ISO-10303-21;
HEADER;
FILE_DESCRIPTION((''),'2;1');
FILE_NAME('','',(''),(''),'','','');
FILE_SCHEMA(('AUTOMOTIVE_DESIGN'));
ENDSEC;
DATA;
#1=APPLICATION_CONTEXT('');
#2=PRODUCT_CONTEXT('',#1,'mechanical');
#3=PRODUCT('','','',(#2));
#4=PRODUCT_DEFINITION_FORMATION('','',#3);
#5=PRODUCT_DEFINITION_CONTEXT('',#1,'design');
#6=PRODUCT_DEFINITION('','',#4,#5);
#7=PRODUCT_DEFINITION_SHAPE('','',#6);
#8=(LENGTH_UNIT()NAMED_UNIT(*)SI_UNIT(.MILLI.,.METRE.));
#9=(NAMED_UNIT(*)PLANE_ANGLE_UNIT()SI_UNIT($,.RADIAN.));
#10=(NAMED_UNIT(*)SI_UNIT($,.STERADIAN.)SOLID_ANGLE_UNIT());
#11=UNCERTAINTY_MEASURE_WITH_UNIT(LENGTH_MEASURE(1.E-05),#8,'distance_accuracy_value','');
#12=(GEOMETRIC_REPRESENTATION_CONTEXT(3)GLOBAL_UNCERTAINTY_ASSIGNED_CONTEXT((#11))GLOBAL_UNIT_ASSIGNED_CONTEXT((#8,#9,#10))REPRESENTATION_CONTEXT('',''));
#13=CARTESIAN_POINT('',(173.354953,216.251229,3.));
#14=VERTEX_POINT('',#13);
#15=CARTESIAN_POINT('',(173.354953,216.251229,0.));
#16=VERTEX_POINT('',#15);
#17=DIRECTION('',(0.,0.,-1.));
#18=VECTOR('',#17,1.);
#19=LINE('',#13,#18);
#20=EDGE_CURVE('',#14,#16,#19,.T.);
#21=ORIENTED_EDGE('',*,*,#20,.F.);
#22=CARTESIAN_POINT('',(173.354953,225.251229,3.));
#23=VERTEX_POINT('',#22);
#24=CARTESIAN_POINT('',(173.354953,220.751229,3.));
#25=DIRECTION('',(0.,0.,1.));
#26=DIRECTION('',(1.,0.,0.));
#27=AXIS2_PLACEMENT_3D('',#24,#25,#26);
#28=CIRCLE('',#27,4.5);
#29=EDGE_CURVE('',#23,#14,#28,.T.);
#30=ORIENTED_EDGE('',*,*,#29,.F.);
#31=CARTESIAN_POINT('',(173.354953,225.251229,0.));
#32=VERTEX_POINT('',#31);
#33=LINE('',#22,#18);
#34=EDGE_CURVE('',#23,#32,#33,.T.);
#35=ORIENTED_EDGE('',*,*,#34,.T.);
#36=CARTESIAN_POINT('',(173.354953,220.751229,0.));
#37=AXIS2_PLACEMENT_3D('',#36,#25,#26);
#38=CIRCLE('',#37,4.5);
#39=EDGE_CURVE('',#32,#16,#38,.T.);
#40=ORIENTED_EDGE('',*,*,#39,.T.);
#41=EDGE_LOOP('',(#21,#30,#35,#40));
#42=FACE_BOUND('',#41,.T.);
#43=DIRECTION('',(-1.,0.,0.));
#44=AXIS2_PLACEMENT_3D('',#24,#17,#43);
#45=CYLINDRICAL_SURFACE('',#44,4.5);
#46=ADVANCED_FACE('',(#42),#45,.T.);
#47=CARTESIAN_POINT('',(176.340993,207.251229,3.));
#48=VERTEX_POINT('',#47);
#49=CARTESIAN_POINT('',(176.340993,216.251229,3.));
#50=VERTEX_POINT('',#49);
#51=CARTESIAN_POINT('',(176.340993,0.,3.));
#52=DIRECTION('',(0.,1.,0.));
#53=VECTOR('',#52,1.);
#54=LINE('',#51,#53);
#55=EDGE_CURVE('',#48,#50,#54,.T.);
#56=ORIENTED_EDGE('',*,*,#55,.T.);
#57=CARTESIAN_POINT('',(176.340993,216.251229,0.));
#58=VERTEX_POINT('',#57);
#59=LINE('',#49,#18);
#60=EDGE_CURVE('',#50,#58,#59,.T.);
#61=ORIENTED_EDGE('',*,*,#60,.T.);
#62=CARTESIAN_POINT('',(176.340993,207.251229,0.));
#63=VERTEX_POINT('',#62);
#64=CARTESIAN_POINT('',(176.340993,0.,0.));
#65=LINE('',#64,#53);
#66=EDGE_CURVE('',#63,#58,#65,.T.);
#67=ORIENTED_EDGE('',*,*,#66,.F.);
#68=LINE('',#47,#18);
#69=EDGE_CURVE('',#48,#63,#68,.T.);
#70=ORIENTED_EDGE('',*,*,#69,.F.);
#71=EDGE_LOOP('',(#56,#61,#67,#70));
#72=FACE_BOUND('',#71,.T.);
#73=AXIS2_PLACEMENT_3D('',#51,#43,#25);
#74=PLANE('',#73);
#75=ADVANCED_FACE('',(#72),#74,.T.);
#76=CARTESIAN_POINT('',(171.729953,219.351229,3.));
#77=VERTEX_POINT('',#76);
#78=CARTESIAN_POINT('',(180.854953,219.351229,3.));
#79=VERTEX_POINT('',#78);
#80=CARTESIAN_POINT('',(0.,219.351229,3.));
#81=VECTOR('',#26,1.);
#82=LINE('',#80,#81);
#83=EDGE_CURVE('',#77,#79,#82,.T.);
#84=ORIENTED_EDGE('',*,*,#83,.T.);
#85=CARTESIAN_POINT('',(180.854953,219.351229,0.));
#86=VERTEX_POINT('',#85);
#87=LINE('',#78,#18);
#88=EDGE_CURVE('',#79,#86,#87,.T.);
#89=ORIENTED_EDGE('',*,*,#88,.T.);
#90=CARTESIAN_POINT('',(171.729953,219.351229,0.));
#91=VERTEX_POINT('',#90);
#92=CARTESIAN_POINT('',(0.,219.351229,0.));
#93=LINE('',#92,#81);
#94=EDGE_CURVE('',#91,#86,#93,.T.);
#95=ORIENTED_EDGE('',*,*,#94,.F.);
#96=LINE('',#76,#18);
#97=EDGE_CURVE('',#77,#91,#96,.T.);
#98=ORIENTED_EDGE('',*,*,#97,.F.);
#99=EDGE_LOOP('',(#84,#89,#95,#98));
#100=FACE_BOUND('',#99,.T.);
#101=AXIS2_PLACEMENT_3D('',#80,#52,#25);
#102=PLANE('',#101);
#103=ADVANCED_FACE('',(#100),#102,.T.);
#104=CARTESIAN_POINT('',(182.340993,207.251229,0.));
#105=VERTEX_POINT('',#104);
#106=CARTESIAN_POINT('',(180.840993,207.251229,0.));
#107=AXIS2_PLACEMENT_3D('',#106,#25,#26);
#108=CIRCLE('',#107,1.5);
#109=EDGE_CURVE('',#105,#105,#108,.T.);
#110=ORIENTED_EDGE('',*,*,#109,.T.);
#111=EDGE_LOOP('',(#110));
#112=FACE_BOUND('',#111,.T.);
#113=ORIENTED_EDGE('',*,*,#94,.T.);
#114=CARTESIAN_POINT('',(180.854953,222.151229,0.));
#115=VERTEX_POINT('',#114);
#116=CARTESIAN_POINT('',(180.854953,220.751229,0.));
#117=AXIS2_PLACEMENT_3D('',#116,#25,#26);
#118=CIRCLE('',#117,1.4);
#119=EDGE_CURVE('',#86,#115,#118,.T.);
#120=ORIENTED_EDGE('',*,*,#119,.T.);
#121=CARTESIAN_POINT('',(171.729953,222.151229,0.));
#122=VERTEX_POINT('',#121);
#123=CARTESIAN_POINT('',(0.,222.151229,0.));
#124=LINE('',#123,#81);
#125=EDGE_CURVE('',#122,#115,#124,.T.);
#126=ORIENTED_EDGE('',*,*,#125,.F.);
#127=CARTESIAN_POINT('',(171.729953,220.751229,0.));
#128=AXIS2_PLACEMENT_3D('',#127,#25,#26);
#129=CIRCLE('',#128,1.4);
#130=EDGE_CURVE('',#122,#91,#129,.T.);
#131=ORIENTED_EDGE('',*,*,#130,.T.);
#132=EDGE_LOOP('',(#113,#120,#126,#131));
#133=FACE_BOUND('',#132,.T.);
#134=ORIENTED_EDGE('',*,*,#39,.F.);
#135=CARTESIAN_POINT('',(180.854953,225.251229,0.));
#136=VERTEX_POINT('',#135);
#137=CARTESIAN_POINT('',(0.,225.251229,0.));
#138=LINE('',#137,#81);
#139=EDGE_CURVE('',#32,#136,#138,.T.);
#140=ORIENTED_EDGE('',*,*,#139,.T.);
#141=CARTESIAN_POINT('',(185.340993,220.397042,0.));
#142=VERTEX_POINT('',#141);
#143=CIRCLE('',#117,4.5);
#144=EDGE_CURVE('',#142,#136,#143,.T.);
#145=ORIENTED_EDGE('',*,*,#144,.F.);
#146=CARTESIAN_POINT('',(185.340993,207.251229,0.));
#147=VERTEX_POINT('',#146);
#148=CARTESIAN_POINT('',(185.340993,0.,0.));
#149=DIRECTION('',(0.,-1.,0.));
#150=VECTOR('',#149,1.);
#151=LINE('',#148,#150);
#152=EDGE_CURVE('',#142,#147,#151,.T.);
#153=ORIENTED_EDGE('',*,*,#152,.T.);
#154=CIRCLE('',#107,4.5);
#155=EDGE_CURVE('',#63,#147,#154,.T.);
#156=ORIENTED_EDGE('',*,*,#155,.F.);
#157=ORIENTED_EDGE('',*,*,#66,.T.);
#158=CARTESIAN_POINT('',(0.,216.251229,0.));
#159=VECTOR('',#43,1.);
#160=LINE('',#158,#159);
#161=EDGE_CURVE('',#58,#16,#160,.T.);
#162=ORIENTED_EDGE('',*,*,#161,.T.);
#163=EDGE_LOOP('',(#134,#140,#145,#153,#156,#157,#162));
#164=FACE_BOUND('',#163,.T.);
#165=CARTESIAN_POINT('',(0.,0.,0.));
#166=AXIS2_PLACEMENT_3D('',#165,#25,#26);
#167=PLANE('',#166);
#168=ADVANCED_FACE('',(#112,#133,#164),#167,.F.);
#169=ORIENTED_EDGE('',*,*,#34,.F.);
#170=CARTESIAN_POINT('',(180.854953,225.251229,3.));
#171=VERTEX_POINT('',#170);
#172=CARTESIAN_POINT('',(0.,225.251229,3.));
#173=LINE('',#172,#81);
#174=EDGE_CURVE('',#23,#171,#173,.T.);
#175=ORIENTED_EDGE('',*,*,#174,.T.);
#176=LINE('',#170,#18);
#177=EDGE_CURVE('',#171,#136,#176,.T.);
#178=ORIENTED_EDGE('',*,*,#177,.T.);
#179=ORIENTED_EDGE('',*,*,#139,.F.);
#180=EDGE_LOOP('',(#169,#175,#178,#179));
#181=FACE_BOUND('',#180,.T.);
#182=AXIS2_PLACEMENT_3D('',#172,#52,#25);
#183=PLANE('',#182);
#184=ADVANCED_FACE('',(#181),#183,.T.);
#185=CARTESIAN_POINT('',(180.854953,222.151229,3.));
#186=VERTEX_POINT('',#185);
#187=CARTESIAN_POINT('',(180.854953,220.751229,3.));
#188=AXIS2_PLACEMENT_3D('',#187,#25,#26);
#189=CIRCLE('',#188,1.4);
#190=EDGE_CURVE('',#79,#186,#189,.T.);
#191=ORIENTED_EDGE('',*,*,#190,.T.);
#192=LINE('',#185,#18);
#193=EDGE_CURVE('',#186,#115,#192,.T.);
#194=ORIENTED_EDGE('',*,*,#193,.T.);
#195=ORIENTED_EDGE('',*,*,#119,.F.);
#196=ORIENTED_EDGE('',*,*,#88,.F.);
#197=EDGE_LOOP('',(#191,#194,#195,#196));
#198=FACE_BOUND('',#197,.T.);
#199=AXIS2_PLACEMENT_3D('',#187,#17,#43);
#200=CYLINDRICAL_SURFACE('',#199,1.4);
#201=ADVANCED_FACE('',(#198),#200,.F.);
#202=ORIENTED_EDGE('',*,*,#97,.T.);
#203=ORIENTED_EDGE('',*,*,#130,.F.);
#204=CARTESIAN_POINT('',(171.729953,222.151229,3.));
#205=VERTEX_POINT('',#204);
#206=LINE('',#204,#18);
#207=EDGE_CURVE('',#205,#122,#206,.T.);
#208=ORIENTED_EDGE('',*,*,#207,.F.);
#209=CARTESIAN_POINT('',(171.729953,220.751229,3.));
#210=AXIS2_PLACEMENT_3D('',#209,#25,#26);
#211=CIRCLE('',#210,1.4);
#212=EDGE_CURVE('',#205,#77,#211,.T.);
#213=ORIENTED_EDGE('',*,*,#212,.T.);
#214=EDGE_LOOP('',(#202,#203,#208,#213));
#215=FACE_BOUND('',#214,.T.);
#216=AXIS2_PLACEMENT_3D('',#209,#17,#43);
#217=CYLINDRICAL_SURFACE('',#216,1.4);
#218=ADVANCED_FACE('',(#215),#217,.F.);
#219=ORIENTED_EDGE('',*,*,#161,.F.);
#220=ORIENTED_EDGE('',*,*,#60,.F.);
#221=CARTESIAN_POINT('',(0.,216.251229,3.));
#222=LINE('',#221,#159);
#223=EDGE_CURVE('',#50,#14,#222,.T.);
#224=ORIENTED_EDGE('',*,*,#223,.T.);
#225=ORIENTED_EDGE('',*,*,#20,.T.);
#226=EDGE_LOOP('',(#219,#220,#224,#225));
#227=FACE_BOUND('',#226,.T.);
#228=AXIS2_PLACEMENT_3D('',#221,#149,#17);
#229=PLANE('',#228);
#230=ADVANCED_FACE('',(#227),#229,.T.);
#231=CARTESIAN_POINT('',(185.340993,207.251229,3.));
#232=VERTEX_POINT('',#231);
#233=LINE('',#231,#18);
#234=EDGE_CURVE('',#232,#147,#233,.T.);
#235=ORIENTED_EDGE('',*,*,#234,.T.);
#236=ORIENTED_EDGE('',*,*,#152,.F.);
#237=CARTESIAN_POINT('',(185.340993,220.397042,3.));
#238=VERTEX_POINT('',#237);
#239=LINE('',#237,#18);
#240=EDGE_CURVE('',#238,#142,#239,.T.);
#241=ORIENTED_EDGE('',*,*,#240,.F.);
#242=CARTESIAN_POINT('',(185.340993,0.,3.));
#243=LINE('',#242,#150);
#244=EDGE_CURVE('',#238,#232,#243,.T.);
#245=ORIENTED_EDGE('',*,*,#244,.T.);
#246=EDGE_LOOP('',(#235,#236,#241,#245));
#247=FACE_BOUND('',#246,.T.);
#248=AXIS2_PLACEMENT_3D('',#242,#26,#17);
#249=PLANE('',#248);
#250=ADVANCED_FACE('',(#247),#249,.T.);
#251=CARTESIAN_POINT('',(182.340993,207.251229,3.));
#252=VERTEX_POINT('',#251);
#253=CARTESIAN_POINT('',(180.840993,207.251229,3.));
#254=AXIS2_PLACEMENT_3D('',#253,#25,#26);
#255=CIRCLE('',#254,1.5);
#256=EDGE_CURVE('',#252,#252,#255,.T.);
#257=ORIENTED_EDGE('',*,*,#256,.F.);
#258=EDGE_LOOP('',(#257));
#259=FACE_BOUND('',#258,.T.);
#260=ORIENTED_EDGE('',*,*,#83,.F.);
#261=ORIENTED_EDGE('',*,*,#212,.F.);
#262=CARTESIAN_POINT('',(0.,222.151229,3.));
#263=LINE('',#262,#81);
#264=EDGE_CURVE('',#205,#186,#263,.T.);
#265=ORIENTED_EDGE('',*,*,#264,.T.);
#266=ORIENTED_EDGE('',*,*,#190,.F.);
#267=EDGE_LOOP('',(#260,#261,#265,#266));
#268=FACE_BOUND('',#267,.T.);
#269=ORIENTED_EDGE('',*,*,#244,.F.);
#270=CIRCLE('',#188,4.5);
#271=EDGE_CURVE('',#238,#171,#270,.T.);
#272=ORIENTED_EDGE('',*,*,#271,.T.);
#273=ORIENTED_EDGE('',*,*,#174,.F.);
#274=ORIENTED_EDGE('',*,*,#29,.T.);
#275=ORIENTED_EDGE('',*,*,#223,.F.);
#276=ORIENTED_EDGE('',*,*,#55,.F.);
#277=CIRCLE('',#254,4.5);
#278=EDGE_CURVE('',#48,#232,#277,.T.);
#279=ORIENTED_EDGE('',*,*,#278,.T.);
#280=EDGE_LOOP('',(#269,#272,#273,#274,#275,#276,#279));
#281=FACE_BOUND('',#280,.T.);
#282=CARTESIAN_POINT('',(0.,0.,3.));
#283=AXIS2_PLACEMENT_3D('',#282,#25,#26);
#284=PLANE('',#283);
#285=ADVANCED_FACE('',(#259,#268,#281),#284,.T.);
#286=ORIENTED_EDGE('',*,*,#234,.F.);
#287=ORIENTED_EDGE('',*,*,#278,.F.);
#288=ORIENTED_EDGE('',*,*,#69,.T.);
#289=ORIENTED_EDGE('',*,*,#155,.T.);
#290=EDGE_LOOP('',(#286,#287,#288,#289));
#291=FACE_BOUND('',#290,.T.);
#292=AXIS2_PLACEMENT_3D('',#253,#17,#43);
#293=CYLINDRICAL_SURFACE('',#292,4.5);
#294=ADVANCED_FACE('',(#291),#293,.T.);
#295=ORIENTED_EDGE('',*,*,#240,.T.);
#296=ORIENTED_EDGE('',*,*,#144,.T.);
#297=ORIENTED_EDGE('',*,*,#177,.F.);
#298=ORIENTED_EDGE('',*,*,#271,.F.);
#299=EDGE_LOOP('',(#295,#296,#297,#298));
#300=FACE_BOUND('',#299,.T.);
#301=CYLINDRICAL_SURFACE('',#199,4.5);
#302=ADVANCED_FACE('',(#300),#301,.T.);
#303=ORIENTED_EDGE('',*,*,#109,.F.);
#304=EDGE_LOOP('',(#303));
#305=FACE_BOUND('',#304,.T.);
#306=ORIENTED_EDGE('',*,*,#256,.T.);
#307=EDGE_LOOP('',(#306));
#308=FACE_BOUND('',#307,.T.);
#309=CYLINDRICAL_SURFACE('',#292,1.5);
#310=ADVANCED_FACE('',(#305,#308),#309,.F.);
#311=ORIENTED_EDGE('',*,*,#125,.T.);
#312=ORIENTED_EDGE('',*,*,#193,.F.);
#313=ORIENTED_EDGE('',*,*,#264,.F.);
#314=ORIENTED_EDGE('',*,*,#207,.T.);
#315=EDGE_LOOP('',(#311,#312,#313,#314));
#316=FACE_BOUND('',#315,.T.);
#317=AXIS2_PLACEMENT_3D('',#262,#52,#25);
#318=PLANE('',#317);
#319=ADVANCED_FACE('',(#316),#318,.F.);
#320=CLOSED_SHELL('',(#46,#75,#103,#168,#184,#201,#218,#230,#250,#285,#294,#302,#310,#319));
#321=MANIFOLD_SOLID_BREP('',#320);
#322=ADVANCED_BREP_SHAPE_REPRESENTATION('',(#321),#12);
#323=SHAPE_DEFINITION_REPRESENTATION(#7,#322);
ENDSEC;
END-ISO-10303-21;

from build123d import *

# Parameters (mm, degrees)
MODEL_R                 = 1.5
SALIENTE_EXTRUIR1_DEPTH = 3


with BuildPart() as part:
    # Model → Saliente-Extruir1 (new body)
    with BuildSketch(Plane.XY):
        with BuildLine():
            Line((185.340992888, 207.251228653), (185.340992888, 220.397042101))
            ThreePointArc((185.340992888, 220.397042101), (184.159786007, 223.805419259), (180.854953221, 225.251228653))
            Line((180.854953221, 225.251228653), (173.354953221, 225.251228653))
            ThreePointArc((173.354953221, 225.251228653), (168.854953221, 220.751228653), (173.354953221, 216.251228653))
            Line((173.354953221, 216.251228653), (176.340992888, 216.251228653))
            Line((176.340992888, 216.251228653), (176.340992888, 207.251228653))
            ThreePointArc((176.340992888, 207.251228653), (180.840992888, 202.751228653), (185.340992888, 207.251228653))
        make_face()
        with Locations((180.840992888, 207.251228653)):
            Circle(MODEL_R, mode=Mode.SUBTRACT)
        with BuildLine():
            ThreePointArc((171.729953221, 219.351228653), (170.329953221, 220.751228653), (171.729953221, 222.151228653))
            Line((171.729953221, 222.151228653), (180.854953221, 222.151228653))
            ThreePointArc((180.854953221, 222.151228653), (182.254953221, 220.751228653), (180.854953221, 219.351228653))
            Line((180.854953221, 219.351228653), (171.729953221, 219.351228653))
        make_face(mode=Mode.SUBTRACT)
    extrude(amount=SALIENTE_EXTRUIR1_DEPTH)


solid = part.part
